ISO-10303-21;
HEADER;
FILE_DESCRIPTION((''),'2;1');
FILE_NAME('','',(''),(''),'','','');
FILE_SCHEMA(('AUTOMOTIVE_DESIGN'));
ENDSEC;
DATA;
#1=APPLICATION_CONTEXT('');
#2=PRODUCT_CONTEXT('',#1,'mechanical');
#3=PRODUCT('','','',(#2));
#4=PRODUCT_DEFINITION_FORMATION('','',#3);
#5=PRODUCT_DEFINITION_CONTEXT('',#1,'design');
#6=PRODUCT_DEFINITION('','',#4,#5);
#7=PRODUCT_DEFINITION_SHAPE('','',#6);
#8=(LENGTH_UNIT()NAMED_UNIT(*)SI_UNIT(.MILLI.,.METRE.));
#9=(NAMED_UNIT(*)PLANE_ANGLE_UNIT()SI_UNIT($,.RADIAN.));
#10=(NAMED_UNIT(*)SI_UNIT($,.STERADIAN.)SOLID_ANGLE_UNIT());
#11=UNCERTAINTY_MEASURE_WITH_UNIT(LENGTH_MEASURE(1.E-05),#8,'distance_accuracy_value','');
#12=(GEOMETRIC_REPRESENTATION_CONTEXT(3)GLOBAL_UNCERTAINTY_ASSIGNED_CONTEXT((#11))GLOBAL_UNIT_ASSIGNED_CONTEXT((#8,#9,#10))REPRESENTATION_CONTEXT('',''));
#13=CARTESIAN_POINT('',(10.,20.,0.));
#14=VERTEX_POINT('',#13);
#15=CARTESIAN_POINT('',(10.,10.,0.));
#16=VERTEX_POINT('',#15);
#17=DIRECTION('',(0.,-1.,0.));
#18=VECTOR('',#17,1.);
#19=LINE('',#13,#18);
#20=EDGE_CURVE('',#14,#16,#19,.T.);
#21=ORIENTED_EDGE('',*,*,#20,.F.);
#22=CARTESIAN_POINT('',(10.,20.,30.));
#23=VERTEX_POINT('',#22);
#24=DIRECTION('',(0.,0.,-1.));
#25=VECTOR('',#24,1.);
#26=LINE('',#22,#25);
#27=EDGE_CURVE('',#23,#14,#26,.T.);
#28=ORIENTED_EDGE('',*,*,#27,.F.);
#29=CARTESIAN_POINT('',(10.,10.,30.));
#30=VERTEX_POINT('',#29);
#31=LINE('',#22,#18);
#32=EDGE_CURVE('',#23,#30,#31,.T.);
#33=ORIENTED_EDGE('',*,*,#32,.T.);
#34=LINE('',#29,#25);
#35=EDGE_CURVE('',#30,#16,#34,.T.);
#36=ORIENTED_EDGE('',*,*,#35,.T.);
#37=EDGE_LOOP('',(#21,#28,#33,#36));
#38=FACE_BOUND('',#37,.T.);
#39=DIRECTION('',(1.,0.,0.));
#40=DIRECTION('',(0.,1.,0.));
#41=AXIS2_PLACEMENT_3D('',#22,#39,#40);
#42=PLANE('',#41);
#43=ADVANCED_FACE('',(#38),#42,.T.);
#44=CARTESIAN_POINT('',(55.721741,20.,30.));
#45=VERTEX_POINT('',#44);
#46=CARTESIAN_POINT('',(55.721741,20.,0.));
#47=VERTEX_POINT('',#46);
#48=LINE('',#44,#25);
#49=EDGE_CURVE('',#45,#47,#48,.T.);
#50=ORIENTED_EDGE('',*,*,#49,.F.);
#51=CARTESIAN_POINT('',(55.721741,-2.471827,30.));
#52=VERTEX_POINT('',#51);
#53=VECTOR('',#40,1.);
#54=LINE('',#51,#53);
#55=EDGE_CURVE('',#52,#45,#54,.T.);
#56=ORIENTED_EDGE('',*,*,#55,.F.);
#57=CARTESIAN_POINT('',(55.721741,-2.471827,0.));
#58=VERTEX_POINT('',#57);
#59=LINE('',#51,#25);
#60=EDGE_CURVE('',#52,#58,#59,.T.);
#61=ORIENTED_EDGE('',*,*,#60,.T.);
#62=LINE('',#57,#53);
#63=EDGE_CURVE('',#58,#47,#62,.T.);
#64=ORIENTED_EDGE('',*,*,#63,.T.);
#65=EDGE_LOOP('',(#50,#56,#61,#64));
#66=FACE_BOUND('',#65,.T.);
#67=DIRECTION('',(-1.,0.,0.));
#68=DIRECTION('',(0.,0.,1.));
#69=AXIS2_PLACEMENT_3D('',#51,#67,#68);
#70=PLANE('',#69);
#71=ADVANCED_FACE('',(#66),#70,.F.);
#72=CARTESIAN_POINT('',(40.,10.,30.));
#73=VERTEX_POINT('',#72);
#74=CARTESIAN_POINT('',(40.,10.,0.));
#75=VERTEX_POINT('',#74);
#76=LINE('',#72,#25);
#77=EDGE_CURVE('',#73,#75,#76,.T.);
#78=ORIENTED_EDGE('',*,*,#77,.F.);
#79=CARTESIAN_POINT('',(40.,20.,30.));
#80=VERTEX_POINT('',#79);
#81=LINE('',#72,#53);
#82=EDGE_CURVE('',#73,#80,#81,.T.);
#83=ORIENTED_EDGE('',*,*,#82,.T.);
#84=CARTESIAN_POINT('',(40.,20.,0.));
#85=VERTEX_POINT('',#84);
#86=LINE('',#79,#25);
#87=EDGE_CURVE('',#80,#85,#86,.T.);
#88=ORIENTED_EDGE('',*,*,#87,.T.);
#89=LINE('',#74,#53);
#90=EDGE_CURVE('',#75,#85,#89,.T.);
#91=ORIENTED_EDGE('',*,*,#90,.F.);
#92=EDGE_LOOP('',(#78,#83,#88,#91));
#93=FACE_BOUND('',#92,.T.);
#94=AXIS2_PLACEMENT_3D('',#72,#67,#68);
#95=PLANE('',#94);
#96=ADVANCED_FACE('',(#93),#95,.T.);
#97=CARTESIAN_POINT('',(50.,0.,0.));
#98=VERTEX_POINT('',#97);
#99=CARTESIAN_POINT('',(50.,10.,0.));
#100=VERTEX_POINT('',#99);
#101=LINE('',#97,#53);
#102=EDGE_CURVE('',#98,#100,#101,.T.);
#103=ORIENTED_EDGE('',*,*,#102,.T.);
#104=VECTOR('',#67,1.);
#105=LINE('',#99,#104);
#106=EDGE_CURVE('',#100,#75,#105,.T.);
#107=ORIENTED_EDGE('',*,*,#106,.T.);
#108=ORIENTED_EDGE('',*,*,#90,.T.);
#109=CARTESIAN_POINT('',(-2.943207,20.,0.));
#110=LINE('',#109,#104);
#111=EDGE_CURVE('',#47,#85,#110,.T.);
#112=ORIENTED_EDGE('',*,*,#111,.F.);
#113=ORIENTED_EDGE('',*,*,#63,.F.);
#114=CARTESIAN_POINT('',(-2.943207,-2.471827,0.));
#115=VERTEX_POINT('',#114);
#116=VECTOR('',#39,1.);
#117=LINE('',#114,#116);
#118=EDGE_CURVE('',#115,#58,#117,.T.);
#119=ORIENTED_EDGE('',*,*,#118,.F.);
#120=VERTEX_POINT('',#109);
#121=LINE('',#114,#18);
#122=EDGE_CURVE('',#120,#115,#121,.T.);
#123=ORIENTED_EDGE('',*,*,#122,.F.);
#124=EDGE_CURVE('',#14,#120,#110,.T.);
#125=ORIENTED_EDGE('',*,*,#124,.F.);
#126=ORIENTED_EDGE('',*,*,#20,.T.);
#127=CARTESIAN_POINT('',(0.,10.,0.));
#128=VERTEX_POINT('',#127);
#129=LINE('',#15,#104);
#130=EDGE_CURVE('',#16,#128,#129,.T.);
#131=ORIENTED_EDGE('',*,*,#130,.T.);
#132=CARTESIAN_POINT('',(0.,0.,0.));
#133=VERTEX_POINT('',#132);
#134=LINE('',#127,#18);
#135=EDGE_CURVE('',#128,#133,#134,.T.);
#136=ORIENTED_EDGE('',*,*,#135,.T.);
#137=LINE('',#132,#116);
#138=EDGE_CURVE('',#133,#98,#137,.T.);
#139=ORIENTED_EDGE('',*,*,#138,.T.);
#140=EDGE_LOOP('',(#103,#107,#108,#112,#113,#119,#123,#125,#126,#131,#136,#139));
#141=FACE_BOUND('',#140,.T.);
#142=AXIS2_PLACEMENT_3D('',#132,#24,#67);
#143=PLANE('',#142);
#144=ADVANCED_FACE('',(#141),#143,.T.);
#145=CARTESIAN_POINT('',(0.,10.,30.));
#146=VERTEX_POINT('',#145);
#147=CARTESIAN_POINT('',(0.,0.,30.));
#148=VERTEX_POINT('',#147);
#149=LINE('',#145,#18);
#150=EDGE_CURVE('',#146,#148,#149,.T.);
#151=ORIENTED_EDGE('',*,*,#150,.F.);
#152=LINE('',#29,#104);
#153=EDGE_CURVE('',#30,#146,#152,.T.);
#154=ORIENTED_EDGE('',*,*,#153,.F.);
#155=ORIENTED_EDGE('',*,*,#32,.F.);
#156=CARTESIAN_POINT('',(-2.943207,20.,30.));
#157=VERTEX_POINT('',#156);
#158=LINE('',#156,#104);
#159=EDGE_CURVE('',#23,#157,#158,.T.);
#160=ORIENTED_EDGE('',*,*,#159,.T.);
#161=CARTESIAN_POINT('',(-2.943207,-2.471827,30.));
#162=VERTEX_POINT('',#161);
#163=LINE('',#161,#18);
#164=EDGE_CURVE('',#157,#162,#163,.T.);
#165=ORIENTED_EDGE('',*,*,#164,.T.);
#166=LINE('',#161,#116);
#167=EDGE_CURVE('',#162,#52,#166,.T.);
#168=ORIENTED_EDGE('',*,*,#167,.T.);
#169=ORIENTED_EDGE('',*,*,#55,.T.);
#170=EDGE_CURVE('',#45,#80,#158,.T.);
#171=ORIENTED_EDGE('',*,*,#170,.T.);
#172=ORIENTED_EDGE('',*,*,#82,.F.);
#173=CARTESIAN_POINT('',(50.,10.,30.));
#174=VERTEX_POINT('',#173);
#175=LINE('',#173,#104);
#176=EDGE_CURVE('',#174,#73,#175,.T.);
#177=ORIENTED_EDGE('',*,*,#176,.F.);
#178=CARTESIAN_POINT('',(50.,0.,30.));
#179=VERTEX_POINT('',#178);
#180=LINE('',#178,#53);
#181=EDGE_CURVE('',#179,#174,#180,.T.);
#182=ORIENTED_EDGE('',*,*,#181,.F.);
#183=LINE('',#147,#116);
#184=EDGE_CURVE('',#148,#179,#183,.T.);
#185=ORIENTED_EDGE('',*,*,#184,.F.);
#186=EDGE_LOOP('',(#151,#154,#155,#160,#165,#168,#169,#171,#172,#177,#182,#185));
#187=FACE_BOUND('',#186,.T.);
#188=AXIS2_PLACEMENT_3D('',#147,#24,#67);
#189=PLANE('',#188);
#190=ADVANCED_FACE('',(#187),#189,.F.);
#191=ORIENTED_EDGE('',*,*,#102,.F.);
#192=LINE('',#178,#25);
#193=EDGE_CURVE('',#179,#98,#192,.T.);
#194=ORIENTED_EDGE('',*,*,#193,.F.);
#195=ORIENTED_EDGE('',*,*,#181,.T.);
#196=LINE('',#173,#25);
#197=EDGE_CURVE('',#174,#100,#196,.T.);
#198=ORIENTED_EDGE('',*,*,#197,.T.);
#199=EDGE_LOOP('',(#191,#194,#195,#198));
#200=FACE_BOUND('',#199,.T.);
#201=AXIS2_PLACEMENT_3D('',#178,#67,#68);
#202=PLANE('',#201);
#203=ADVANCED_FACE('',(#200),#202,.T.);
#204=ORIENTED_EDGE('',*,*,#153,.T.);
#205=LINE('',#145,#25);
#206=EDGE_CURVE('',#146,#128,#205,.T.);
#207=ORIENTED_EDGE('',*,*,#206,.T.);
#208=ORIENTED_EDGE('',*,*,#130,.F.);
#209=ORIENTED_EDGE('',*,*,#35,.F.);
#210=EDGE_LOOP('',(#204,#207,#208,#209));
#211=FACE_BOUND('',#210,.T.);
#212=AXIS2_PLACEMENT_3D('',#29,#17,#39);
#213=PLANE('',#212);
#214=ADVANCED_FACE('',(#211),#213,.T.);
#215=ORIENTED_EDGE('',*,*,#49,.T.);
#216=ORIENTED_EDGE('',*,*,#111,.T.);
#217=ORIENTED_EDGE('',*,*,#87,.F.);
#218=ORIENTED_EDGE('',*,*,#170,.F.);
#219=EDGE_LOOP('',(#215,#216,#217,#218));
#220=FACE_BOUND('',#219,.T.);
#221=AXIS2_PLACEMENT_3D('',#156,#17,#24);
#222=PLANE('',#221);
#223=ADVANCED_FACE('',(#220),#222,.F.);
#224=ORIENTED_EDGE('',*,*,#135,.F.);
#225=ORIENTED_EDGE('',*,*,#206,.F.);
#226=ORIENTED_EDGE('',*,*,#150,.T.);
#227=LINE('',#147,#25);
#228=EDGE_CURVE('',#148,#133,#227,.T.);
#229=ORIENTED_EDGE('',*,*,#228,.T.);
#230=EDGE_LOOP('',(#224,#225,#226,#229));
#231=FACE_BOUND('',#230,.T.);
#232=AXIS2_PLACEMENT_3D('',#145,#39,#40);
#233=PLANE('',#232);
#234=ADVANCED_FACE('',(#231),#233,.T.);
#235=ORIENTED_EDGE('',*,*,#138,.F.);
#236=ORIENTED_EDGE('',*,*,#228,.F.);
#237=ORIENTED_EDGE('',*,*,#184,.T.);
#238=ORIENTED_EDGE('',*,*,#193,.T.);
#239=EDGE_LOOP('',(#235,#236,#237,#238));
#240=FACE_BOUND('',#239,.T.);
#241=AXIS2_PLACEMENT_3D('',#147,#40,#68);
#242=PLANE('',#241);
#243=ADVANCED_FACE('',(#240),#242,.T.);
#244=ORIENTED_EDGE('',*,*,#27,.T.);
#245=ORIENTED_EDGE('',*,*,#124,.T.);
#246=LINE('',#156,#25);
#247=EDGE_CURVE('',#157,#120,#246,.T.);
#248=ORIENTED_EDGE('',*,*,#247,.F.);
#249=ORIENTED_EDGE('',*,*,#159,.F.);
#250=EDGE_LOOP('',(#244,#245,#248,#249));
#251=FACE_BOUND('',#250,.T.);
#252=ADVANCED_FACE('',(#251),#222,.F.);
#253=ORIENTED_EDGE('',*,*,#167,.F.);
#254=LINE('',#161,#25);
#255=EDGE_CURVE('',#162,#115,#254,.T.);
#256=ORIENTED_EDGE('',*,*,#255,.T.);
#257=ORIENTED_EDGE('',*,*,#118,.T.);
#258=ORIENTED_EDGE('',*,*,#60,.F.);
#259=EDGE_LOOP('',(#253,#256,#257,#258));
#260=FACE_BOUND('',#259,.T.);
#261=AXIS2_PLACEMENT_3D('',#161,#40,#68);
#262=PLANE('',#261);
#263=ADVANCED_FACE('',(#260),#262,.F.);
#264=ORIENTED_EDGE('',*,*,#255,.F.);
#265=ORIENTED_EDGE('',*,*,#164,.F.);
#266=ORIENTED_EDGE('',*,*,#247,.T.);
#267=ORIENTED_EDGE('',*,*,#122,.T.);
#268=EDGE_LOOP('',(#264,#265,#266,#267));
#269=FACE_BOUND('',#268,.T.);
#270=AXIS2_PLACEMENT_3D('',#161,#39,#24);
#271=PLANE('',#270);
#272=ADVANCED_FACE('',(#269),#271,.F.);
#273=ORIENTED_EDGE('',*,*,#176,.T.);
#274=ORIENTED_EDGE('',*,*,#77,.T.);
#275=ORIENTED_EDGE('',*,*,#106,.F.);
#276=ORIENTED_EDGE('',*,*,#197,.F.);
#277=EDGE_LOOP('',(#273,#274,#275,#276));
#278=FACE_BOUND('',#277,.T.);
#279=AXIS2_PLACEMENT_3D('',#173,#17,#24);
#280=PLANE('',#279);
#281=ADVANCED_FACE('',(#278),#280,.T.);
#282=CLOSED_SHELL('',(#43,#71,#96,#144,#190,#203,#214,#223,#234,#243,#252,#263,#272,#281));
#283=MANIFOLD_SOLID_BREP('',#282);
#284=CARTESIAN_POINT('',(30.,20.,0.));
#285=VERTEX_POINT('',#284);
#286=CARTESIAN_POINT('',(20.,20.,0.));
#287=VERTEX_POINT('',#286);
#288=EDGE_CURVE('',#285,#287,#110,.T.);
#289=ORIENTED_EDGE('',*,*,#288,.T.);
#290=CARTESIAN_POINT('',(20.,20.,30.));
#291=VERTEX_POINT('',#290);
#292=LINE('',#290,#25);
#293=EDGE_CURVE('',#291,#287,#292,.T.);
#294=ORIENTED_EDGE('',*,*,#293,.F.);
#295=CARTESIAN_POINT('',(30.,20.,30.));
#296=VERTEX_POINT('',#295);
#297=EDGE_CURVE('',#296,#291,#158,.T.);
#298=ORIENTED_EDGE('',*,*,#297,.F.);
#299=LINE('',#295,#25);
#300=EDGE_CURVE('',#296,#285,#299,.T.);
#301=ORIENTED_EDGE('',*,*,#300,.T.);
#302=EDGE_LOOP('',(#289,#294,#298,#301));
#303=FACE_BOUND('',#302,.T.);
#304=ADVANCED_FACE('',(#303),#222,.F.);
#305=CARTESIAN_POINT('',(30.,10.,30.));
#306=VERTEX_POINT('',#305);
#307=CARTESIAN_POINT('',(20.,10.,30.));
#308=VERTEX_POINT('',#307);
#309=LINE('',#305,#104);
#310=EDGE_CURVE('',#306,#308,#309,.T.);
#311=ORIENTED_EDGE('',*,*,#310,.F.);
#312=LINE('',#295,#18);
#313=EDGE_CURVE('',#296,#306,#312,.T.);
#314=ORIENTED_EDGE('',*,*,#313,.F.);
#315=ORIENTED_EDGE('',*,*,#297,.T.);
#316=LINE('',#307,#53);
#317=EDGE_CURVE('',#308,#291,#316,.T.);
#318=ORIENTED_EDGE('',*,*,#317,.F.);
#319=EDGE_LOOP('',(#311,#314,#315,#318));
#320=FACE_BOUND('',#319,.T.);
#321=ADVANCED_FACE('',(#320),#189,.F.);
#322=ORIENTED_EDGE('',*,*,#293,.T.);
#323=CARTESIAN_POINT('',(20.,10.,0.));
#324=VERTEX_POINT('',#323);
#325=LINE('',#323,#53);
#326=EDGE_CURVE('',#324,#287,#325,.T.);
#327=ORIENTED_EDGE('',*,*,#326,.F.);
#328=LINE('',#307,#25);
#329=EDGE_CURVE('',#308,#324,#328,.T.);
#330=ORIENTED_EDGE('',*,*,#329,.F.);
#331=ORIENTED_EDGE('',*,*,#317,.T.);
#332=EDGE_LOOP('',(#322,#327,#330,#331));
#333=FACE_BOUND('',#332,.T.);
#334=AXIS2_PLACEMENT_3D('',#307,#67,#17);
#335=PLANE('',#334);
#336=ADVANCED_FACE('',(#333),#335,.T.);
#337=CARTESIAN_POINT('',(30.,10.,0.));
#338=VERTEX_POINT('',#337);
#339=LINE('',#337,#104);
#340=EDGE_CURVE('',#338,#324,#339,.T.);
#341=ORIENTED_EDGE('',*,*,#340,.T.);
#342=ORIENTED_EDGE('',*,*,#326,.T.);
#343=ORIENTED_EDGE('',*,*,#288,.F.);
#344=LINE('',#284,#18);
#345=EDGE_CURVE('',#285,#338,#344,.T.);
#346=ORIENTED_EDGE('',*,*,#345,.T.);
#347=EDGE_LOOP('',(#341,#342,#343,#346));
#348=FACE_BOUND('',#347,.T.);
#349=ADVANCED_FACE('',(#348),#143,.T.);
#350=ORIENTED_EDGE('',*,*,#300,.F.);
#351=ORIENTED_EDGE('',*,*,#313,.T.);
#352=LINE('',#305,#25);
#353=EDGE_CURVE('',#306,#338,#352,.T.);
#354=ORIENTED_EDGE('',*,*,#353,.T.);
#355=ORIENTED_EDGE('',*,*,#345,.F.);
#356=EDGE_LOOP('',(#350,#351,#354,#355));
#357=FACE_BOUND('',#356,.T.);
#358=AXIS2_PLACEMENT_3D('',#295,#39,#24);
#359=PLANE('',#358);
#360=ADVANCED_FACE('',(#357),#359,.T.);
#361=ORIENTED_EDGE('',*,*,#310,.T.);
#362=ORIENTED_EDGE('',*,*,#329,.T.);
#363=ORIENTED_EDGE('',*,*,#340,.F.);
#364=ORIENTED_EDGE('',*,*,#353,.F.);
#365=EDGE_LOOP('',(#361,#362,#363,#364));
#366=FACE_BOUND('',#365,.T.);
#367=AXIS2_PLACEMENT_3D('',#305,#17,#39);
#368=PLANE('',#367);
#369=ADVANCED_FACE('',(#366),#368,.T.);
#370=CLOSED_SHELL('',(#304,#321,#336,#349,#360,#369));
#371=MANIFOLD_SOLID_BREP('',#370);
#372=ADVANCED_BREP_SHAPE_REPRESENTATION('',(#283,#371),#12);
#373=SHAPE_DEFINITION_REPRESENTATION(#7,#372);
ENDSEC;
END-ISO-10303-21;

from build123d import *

# Parameters (mm, degrees)
SKETCH3_W           = 58.664947722
SKETCH3_H           = 22.471826884
BOSS_EXTRUDE2_DEPTH = 30
CUT_EXTRUDE1_DEPTH  = 31


with BuildPart() as part:
    # Sketch3 → Boss-Extrude2 (new body)
    with BuildSketch(Plane.XY):
        with Locations((26.389266792, 8.764086558)):
            Rectangle(SKETCH3_W, SKETCH3_H)
    extrude(amount=BOSS_EXTRUDE2_DEPTH)

    # Sketch2 → Cut-Extrude1 (cut, through all)
    with BuildSketch(Plane.XY):
        Polygon((0, 0), (50, 0), (50, 10), (40, 10), (40, 20), (30, 20), (30, 10), (20, 10), (20, 20), (10, 20), (10, 10), (0, 10), align=None)
    extrude(amount=CUT_EXTRUDE1_DEPTH, mode=Mode.SUBTRACT)


solid = part.part
